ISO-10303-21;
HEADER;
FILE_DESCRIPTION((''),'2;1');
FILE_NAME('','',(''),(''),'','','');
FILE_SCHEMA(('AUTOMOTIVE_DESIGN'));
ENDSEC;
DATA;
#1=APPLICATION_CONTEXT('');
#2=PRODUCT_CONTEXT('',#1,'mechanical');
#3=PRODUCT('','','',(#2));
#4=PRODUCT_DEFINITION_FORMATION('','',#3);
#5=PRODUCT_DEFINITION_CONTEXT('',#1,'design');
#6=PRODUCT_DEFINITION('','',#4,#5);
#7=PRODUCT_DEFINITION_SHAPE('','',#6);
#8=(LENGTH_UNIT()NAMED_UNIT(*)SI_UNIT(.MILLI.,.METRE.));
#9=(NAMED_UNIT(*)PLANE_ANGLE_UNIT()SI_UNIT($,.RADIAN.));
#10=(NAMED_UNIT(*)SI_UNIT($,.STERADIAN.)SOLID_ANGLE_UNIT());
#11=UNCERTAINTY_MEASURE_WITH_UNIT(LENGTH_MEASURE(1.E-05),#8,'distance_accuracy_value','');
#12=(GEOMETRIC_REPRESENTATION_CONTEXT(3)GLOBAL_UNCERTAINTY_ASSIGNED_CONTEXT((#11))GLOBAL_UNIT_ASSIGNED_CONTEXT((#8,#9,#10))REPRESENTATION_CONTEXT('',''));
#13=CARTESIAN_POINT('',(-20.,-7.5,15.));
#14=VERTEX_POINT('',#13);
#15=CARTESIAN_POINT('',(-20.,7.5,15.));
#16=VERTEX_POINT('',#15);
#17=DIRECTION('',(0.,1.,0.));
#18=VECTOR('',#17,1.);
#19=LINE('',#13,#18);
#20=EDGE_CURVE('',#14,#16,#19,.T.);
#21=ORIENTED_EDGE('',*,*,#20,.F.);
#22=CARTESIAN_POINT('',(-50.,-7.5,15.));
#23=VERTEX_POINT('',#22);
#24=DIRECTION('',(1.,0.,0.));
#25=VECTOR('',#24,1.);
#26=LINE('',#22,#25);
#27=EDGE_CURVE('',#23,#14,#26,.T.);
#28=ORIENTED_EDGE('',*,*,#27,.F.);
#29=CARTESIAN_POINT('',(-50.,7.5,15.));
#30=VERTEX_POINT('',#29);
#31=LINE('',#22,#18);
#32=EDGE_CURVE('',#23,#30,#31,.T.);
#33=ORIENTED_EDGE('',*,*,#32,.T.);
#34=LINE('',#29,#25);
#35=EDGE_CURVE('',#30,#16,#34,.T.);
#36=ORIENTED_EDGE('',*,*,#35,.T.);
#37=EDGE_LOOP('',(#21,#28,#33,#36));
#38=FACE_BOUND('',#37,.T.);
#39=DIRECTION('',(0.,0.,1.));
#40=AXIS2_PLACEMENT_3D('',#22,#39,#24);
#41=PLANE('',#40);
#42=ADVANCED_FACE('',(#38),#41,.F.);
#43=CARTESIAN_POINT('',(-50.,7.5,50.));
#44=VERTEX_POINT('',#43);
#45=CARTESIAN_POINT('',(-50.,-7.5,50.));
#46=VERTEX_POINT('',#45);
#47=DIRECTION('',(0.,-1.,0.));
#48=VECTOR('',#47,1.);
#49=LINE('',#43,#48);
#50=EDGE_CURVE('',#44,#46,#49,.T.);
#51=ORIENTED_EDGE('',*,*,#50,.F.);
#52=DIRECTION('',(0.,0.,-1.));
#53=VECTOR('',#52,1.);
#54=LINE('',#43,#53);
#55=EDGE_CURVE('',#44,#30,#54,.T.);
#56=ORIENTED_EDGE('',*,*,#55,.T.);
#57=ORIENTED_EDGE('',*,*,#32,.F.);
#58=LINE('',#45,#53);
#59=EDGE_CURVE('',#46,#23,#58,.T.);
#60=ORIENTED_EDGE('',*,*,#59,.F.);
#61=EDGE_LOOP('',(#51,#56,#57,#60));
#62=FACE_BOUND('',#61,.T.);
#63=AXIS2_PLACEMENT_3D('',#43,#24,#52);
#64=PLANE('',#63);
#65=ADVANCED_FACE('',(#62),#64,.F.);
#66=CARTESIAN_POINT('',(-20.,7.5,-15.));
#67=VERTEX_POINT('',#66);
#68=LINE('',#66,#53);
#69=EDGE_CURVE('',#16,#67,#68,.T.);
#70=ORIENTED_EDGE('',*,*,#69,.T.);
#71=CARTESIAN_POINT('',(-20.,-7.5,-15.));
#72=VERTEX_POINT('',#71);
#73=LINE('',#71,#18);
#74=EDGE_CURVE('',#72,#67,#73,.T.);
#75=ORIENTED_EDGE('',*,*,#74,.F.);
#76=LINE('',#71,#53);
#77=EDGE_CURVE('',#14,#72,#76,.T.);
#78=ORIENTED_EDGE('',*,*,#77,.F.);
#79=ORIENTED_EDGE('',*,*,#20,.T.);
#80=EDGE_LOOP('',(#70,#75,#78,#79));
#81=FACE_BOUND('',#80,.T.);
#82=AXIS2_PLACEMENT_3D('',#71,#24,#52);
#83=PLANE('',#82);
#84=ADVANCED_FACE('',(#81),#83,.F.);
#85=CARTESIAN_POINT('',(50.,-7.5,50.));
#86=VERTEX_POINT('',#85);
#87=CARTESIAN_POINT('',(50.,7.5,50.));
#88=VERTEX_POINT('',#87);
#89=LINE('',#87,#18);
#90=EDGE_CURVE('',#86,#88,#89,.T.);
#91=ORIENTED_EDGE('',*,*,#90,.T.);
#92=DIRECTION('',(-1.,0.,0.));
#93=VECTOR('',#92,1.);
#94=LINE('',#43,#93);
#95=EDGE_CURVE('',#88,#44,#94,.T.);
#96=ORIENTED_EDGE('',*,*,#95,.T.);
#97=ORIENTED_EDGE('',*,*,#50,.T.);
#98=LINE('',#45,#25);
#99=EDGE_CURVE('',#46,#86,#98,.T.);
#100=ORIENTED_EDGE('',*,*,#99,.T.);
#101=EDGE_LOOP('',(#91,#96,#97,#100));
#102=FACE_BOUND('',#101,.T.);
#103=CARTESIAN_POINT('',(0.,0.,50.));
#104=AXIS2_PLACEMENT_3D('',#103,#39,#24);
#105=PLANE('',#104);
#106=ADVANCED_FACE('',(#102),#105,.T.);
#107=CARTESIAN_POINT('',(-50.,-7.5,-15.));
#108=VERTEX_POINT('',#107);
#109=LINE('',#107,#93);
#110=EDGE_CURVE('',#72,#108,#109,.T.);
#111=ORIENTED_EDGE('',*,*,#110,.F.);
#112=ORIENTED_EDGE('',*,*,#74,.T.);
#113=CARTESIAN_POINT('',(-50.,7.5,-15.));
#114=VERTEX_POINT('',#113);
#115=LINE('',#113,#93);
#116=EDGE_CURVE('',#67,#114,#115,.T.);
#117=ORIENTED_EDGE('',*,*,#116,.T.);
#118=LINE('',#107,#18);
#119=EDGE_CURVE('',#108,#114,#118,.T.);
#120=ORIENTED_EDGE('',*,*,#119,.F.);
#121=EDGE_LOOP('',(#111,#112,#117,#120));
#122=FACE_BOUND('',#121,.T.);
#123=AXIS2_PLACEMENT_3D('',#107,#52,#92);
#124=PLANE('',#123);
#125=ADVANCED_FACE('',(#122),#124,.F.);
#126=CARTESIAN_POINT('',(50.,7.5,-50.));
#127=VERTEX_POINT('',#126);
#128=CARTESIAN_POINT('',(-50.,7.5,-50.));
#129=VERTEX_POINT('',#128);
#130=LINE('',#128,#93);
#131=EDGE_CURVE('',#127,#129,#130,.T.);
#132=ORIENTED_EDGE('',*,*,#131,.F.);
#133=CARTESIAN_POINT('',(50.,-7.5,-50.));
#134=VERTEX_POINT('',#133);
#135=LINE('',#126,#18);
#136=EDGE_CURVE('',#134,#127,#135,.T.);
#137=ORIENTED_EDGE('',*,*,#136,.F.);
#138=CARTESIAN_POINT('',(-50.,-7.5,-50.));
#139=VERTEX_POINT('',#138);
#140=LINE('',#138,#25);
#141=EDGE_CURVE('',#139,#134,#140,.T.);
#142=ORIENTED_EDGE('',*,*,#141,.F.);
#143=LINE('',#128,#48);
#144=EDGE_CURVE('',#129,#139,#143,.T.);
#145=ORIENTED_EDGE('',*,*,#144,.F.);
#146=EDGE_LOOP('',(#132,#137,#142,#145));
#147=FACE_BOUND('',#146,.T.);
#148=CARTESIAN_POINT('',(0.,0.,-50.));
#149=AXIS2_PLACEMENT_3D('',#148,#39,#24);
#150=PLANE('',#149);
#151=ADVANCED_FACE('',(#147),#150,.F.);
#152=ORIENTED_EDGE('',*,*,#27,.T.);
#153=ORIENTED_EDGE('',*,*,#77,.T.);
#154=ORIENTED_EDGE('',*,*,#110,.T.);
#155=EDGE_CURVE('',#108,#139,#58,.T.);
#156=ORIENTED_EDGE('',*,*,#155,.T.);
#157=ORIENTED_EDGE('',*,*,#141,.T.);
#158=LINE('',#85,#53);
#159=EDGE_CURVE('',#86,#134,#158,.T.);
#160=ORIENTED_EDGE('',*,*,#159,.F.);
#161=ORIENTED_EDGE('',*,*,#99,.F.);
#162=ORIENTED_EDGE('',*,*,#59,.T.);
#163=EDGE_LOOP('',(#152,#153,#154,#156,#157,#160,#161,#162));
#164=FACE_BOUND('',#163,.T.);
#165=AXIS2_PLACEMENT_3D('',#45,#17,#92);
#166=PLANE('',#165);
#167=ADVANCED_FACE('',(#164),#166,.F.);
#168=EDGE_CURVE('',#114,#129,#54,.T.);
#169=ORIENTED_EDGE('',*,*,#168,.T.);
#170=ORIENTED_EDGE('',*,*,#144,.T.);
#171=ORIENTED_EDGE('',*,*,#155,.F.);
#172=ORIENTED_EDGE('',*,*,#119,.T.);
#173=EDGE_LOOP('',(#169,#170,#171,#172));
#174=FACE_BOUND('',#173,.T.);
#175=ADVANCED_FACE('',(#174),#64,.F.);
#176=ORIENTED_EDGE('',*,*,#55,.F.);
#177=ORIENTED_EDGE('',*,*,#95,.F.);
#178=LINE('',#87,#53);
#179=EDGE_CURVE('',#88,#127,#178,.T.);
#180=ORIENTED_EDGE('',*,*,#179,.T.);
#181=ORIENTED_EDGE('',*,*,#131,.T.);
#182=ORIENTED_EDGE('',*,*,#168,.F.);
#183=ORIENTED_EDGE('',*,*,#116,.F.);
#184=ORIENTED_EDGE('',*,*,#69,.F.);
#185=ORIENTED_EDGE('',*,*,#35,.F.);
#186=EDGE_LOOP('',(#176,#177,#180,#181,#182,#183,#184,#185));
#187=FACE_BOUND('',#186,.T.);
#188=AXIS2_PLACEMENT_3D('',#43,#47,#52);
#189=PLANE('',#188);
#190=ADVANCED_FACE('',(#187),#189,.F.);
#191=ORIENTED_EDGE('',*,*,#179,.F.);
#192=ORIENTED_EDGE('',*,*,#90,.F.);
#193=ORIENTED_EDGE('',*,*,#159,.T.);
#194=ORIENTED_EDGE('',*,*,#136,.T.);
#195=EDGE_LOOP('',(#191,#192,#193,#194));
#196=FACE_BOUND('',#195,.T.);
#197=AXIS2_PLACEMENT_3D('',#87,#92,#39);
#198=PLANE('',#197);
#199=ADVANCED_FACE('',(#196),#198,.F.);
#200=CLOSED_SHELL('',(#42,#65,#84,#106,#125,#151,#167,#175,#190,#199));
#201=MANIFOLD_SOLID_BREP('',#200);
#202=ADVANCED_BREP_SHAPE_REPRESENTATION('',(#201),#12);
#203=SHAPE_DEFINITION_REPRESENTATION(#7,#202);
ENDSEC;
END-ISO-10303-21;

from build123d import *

# Parameters (mm, degrees)
SKIZZE1_W                            = 100
SKIZZE1_H                            = 15
AUFSATZ_LINEAR_AUSTRAGEN1_DEPTH      = 50
SCHNITT_LINEAR_AUSTRAGEN1_DEPTH      = 72.107313267
SCHNITT_LINEAR_AUSTRAGEN1_DEPTH_BACK = 72.107313267
SKIZZE2_W                            = 30
SKIZZE2_H                            = 30


with BuildPart() as part:
    # Skizze1 → Aufsatz-Linear austragen1 (new, symmetric)
    with BuildSketch(Plane.XY):
        Rectangle(SKIZZE1_W, SKIZZE1_H)
    extrude(amount=AUFSATZ_LINEAR_AUSTRAGEN1_DEPTH, both=True)

    # Skizze2 → Schnitt-Linear austragen1 (cut, two sides: drawn at the far end of the back side and taken through both)
    with BuildSketch(Plane(origin=(0, 0, 0), x_dir=(1, 0, 0), z_dir=(0, 1, 0)).offset(-SCHNITT_LINEAR_AUSTRAGEN1_DEPTH_BACK)):
        with Locations((-35, 0)):
            Rectangle(SKIZZE2_W, SKIZZE2_H)
    extrude(amount=SCHNITT_LINEAR_AUSTRAGEN1_DEPTH + SCHNITT_LINEAR_AUSTRAGEN1_DEPTH_BACK, mode=Mode.SUBTRACT)


solid = part.part
